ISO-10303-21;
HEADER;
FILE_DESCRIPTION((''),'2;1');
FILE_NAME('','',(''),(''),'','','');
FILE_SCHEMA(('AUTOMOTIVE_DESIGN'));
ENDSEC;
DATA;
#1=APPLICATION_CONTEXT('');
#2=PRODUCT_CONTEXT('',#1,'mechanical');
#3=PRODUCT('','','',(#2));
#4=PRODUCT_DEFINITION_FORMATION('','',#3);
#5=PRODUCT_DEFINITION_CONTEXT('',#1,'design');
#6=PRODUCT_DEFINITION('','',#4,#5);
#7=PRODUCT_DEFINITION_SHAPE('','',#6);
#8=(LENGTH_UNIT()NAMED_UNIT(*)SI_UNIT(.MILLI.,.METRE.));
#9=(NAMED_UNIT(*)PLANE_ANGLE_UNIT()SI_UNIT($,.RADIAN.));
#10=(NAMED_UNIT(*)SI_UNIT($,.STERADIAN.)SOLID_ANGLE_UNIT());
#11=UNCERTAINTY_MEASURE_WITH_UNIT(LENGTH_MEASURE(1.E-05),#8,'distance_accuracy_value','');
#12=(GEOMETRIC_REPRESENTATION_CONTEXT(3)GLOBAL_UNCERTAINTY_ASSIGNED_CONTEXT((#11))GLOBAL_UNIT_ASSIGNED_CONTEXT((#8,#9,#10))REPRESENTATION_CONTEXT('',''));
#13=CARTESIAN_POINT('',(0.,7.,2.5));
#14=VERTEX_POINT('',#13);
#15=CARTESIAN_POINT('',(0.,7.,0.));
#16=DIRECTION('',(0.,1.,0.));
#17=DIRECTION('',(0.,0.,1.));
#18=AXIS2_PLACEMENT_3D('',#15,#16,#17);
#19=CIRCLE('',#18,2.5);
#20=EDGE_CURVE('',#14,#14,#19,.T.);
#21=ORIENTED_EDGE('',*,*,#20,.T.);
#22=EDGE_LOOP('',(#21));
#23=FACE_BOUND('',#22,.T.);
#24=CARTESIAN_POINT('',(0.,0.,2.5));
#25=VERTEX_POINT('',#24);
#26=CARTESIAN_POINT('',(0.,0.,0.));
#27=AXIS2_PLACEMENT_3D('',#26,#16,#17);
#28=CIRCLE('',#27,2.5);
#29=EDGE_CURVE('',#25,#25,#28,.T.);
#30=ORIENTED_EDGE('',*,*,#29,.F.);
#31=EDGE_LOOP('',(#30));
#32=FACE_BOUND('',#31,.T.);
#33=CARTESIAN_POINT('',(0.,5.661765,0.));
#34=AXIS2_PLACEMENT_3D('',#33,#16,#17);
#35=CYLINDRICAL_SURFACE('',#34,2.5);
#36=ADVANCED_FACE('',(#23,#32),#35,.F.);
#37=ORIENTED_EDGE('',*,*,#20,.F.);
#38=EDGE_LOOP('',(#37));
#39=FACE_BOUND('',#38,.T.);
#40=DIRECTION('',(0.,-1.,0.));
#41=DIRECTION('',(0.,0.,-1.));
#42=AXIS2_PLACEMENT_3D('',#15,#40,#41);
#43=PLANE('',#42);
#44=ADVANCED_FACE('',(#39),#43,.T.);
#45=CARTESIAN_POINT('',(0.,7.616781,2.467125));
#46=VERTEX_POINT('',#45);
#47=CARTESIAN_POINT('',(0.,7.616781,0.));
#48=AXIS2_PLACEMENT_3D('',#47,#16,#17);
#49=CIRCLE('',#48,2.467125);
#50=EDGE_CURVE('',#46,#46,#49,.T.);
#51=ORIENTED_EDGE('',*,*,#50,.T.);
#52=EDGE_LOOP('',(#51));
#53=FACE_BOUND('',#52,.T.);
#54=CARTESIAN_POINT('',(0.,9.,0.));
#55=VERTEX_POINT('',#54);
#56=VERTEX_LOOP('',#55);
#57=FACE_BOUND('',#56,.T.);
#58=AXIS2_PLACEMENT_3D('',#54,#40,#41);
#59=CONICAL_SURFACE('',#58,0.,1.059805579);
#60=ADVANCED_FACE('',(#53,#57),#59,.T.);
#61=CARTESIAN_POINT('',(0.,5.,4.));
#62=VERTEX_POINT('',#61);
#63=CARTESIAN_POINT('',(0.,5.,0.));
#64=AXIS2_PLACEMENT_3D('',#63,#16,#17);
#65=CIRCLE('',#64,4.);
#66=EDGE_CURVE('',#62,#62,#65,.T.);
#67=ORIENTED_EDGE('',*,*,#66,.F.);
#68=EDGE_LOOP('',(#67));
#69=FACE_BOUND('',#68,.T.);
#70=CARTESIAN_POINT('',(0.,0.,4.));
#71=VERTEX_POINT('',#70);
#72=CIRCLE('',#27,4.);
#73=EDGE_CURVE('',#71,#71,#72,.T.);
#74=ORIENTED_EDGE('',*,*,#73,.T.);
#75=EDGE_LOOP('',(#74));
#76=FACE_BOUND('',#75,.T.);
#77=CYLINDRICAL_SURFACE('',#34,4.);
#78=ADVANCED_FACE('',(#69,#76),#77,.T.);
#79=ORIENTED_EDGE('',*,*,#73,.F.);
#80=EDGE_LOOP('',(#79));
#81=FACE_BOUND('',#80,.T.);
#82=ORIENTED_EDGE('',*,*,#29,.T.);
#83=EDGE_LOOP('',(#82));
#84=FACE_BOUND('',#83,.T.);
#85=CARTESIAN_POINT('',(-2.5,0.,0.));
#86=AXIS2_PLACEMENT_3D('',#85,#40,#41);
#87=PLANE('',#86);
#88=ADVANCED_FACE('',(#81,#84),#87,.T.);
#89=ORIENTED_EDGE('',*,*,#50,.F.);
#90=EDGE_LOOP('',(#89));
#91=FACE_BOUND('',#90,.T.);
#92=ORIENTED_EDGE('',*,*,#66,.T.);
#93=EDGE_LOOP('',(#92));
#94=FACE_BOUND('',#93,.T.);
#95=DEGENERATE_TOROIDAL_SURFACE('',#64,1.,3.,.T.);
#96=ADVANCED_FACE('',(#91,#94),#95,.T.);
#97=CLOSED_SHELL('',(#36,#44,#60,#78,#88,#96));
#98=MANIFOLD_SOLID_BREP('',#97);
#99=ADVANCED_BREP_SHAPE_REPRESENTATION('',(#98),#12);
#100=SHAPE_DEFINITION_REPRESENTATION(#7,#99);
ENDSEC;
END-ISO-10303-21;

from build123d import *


with BuildPart() as part:
    # Croquis2 → Revolución1 (revolve)
    with BuildSketch(Plane.XY, mode=Mode.PRIVATE) as revoluci_n1_sk:
        with BuildLine():
            Line((-2.5, 0), (-4, 0))
            Line((-4, 0), (-4, 5))
            ThreePointArc((-4, 5), (-3.588568628, 6.516348395), (-2.467125029, 7.616781257))
            Line((-2.467125029, 7.616781257), (0, 9))
            Line((0, 9), (0, 7))
            Line((0, 7), (-2.5, 7))
            Line((-2.5, 7), (-2.5, 0))
        make_face()
    revolve(revoluci_n1_sk.sketch.rotate(Axis((0, 5.661764706, 0), (0, -1, 0)), 270), axis=Axis((0, 5.661764706, 0), (0, -1, 0)))


solid = part.part
